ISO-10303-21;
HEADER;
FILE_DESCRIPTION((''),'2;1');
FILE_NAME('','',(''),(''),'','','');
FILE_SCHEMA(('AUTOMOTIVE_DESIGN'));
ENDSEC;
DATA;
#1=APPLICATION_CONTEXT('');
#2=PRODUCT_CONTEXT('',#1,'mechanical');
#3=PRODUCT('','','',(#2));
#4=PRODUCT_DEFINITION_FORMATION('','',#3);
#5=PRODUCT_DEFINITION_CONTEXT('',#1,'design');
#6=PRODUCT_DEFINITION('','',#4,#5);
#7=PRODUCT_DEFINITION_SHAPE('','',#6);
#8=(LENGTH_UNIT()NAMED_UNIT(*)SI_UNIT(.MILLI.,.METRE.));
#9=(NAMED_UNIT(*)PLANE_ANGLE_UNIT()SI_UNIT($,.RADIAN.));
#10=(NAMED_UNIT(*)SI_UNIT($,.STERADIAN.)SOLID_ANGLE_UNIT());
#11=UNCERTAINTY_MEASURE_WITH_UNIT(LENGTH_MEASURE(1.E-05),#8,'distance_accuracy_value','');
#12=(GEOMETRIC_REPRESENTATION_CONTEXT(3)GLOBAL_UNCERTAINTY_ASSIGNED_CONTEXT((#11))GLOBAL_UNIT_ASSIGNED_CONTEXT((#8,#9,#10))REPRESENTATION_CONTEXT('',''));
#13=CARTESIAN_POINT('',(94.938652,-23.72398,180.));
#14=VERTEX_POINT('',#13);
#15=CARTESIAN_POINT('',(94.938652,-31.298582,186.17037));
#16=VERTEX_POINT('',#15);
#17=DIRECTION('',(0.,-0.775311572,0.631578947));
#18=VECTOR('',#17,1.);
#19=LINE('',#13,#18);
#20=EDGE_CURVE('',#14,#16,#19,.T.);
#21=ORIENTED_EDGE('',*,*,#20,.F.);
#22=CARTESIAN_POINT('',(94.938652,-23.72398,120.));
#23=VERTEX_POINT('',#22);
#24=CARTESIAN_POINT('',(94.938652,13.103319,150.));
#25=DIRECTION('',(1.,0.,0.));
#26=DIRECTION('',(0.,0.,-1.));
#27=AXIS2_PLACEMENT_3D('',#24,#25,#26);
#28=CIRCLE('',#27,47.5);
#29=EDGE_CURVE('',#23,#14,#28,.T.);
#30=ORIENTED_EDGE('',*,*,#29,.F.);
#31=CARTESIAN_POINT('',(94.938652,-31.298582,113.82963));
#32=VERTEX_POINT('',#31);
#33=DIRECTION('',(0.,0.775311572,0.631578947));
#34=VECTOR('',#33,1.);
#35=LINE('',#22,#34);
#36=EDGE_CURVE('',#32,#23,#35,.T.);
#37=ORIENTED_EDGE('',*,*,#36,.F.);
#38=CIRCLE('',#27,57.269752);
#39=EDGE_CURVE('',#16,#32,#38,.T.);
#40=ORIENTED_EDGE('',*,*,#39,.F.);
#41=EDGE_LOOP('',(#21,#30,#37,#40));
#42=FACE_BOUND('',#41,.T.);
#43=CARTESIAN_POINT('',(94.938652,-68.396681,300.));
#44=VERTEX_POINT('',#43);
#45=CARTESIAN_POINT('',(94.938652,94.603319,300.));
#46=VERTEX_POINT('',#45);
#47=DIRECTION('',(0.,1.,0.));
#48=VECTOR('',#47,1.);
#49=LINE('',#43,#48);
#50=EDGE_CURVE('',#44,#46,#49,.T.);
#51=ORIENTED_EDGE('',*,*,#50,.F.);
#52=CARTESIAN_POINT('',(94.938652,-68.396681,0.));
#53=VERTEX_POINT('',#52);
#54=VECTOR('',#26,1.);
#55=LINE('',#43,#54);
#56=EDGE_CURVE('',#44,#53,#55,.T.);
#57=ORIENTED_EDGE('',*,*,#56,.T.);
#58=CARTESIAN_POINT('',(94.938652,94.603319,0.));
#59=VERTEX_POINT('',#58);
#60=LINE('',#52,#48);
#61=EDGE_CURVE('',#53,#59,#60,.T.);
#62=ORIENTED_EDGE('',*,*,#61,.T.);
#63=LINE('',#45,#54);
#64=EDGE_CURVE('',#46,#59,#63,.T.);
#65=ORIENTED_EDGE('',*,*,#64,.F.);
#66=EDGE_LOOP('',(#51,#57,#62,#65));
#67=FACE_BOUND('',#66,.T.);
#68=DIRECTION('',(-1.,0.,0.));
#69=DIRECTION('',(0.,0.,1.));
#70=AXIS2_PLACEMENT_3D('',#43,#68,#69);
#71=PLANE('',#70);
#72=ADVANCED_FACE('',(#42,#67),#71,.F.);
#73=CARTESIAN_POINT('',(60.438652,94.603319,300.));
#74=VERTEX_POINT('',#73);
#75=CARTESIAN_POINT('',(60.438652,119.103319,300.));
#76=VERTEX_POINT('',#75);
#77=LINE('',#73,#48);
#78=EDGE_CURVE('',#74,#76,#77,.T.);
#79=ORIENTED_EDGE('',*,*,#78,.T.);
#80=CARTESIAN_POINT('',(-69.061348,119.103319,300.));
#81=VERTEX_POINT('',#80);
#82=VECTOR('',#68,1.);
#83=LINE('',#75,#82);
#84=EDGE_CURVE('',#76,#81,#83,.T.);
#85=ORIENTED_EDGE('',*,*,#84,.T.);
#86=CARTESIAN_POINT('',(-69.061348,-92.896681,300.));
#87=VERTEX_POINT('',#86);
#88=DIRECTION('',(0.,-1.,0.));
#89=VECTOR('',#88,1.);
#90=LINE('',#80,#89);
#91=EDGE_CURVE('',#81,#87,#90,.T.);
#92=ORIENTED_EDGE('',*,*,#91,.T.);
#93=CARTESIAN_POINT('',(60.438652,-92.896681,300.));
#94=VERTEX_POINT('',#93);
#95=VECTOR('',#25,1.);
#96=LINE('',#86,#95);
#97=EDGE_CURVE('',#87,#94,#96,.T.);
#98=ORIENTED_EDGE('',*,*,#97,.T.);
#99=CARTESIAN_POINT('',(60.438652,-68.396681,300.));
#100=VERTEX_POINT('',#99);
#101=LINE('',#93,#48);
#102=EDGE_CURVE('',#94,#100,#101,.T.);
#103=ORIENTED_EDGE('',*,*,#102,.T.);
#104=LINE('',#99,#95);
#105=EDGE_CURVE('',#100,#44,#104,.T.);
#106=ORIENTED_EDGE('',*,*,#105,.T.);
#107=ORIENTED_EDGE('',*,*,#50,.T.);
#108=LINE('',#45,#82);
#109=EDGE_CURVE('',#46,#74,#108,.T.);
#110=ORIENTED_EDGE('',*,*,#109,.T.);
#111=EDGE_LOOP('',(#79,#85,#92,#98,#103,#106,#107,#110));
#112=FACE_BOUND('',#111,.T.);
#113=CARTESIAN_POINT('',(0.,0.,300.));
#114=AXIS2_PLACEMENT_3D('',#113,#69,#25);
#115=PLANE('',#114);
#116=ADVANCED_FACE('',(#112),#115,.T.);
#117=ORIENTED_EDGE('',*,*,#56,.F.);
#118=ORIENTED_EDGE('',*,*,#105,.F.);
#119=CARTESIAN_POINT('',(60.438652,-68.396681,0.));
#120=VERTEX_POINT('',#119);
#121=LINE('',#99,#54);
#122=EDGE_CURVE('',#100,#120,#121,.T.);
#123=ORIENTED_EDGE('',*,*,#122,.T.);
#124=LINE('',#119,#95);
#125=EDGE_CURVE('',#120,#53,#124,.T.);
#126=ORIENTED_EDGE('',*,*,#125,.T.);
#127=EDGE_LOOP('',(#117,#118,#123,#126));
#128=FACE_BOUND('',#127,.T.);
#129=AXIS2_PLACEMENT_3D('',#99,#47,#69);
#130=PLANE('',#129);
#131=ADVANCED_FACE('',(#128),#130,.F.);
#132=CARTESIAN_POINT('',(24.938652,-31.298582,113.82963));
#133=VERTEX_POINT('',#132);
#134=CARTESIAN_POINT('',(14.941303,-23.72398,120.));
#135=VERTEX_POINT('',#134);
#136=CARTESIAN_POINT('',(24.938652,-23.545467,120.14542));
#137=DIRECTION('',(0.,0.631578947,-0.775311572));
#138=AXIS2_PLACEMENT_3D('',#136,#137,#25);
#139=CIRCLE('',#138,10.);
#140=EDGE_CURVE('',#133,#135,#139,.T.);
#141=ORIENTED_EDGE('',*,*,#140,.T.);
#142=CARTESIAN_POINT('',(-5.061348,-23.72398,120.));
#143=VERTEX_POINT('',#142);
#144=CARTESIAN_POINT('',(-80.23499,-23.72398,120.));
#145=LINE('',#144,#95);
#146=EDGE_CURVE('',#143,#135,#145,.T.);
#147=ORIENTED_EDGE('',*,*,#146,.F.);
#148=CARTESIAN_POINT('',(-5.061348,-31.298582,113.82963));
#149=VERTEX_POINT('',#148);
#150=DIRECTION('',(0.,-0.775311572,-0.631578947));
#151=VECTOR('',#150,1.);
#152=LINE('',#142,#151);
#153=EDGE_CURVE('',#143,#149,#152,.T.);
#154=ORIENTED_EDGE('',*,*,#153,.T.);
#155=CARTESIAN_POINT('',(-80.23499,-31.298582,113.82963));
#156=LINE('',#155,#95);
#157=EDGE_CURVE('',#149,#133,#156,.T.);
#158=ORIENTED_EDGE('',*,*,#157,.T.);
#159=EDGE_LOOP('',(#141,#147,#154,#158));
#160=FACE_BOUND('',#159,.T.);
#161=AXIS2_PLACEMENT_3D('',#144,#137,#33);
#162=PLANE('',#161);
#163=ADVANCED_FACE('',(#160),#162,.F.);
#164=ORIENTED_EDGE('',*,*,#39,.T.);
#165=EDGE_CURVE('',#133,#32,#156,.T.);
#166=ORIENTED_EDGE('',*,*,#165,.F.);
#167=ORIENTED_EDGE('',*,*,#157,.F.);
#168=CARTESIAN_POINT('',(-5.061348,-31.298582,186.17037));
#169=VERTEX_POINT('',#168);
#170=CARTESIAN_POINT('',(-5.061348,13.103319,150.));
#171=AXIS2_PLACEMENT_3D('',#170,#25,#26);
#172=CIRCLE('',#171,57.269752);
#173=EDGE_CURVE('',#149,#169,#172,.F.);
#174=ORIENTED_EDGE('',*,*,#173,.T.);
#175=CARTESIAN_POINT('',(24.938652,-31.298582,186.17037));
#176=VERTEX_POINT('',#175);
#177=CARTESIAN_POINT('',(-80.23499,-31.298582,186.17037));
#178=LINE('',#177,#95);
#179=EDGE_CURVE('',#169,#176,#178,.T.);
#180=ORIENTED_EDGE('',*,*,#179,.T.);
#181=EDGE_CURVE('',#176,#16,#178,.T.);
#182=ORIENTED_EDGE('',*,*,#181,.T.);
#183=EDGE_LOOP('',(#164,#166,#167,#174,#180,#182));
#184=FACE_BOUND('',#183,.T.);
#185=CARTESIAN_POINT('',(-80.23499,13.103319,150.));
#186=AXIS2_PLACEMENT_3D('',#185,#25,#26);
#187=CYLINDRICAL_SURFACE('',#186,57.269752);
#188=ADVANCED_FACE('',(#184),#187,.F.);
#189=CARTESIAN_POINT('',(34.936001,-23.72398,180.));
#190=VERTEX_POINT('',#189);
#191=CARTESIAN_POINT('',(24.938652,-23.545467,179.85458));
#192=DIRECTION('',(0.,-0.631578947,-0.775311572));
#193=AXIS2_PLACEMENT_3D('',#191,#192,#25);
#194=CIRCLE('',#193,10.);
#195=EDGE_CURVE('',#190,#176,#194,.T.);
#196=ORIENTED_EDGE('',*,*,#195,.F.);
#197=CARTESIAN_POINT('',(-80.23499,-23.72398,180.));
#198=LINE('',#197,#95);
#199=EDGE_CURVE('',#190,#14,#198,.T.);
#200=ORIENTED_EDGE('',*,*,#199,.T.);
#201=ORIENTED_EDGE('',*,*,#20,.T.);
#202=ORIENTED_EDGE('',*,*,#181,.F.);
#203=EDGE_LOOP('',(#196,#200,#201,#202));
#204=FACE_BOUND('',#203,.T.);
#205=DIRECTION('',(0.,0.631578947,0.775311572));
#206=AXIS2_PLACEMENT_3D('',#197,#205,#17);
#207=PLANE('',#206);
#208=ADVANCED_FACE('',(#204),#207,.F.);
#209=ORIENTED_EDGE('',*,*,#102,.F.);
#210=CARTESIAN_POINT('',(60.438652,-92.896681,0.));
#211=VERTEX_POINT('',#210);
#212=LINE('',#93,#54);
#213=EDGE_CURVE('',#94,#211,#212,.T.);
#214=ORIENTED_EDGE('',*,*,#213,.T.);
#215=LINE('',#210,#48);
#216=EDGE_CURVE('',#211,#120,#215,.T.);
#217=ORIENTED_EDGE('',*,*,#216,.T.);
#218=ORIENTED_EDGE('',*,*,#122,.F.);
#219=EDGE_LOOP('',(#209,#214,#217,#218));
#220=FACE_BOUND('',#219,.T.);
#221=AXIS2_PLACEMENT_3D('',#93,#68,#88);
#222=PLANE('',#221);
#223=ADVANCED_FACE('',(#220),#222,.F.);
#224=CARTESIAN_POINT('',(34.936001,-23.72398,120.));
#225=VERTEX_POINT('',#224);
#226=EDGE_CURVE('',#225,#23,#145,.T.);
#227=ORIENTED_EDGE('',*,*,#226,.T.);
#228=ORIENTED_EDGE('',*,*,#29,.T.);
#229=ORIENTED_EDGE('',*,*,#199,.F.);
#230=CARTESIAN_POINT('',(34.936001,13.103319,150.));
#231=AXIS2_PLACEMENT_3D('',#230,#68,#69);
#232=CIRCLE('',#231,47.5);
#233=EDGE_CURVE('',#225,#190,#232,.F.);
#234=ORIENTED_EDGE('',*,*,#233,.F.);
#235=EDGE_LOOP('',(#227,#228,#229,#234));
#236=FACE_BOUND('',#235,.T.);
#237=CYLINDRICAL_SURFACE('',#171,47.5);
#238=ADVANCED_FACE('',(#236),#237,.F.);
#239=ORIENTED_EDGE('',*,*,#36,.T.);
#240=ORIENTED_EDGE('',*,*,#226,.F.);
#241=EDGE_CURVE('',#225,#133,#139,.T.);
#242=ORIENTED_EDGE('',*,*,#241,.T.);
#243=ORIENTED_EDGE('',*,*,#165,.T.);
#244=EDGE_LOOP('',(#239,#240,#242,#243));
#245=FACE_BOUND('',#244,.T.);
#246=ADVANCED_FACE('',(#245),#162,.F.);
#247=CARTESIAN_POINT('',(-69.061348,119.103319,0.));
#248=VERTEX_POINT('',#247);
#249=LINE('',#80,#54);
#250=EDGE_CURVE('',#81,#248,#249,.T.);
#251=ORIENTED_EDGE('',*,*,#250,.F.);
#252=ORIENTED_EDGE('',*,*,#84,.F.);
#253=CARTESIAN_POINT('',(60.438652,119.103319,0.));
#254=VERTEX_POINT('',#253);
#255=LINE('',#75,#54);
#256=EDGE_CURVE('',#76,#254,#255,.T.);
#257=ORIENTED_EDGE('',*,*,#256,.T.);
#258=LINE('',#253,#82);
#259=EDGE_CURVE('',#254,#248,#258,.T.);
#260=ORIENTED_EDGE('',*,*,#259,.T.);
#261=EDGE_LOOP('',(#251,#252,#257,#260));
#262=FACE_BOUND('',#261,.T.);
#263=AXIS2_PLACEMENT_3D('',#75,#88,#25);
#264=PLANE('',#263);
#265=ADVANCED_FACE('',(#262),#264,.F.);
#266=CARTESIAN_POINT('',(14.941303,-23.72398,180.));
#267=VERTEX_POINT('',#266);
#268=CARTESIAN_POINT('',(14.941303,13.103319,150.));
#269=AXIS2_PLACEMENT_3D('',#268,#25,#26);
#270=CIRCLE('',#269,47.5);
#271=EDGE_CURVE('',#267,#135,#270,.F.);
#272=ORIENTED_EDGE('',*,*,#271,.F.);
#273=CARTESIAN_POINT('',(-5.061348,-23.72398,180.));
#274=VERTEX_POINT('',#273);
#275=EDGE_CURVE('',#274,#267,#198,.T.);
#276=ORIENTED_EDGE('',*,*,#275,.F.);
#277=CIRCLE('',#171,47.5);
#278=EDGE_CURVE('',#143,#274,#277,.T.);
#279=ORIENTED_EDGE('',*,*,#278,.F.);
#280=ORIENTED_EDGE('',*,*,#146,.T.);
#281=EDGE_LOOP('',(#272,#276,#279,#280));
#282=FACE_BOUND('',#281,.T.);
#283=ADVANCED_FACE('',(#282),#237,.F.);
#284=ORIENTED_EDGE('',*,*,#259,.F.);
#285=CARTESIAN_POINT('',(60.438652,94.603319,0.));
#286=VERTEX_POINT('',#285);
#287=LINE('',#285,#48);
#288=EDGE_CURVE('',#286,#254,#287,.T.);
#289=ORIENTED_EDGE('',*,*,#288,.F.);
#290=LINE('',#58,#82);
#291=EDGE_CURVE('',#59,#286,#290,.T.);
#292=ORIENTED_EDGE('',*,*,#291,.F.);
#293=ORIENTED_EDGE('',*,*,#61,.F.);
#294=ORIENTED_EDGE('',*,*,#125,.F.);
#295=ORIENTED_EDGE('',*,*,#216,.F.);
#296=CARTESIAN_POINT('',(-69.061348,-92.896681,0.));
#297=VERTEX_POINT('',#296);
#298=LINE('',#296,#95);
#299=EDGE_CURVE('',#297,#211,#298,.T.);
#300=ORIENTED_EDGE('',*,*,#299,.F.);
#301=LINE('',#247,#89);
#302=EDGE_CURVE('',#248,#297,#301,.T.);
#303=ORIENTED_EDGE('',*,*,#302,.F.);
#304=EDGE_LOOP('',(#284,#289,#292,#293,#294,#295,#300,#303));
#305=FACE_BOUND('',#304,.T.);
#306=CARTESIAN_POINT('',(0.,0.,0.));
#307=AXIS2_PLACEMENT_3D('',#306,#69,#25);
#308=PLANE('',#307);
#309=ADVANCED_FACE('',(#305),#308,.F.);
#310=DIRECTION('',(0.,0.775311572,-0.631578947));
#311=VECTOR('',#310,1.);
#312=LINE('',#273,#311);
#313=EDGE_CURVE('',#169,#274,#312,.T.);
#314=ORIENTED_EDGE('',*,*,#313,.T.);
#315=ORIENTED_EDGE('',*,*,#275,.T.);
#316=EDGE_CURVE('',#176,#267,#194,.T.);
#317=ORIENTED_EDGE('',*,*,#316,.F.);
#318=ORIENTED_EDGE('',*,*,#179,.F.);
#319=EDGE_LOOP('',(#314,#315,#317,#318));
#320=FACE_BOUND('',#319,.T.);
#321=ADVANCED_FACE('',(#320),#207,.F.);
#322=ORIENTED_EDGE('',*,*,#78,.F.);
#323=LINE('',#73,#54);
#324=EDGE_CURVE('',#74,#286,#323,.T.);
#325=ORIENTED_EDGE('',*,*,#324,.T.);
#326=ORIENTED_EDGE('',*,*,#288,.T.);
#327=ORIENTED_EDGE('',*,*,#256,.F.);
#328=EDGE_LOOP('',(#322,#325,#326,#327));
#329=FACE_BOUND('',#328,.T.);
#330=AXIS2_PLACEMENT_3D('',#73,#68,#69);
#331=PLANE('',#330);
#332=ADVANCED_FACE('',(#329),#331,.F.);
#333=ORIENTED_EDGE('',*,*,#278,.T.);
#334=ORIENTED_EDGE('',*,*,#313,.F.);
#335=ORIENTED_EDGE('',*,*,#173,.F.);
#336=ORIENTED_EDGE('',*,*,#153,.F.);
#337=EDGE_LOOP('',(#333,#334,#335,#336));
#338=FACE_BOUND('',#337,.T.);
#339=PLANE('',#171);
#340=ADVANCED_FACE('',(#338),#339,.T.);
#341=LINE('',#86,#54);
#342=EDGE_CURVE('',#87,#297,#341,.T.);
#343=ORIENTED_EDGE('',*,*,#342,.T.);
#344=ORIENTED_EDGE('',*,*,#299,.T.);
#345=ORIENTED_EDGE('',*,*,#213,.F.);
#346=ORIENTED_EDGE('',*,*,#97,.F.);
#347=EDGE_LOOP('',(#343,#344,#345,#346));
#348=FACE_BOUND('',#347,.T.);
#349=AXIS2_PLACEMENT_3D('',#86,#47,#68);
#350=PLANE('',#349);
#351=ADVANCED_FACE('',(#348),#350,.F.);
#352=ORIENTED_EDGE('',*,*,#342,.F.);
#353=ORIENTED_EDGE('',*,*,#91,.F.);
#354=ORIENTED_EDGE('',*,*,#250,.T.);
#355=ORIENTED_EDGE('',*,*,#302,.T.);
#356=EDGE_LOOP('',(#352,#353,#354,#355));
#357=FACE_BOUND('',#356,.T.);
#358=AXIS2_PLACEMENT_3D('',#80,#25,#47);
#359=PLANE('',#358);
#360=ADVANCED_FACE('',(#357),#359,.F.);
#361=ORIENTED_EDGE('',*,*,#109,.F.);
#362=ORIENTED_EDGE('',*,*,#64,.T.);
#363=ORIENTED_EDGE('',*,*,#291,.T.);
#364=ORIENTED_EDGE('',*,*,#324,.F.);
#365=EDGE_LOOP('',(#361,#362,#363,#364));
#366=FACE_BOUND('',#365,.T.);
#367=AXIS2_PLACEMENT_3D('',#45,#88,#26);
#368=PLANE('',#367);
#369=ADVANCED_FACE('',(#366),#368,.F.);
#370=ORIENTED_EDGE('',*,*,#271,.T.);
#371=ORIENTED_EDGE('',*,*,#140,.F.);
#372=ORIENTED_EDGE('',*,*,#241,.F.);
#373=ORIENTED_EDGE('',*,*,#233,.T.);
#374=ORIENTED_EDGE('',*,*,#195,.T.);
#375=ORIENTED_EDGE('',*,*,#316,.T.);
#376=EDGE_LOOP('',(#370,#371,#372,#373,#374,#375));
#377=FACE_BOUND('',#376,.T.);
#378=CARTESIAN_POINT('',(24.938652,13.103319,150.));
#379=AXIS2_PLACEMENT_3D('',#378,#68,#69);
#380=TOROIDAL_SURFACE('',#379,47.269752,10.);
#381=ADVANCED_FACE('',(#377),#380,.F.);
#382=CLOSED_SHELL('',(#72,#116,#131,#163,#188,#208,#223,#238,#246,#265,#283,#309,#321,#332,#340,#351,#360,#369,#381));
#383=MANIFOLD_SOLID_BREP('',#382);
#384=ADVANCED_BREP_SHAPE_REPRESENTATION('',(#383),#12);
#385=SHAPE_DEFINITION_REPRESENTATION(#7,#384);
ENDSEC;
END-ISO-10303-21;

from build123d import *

# Parameters (mm, degrees)
BOSS_EXTRUDE1_DEPTH = 300
SKETCH2_R           = 47.5
CUT_EXTRUDE1_DEPTH  = 100
SKETCH3_R           = 10
CUT_EXTRUDE3_REACH  = 364.052


with BuildPart() as part:
    # Sketch1 → Boss-Extrude1 (new body)
    with BuildSketch(Plane.XY):
        Polygon((94.938651754, 94.603319173), (60.438651754, 94.603319173), (60.438651754, 119.103319173), (-69.061348246, 119.103319173), (-69.061348246, -92.896680827), (60.438651754, -92.896680827), (60.438651754, -68.396680827), (94.938651754, -68.396680827), align=None)
    extrude(amount=BOSS_EXTRUDE1_DEPTH)

    # Sketch2 → Cut-Extrude1 (cut)
    with BuildSketch(Plane(origin=(94.938651754, 0, 0), x_dir=(0, 0, -1), z_dir=(1, 0, 0))):
        with Locations((-150, 13.103319173)):
            Circle(SKETCH2_R)
    extrude(amount=-CUT_EXTRUDE1_DEPTH, mode=Mode.SUBTRACT)

    # Cut-Sweep1: sweep along a path in Sketch5
    with BuildLine(Plane(origin=(25, 0, 0), x_dir=(0, 0, -1), z_dir=(1, 0, 0))) as cut_sweep1_path:
        ThreePointArc((-120, -23.723980484), (-150, 60.603319173), (-180, -23.723980484))
    # Sketch3 → Cut-Sweep1 (sweep, cut)
    with BuildSketch(Plane.XY.offset(150)):
        with Locations((24.938651754, 60.373071265)):
            Circle(SKETCH3_R)
    sweep(path=cut_sweep1_path.line, mode=Mode.SUBTRACT)

    # Cut-Extrude3: up to this face of the body (flat: up to its plane)
    cut_extrude3_end = Plane(part.part.faces().sort_by_distance((-5.061348246, 13.103319173, 150))[0])
    # Sketch7 → Cut-Extrude3 (cut, up to the picked face)
    with BuildSketch(Plane(origin=(94.938651754, 0, 0), x_dir=(0, 0, -1), z_dir=(1, 0, 0)), mode=Mode.PRIVATE) as cut_extrude3_sk1:
        with BuildLine():
            Line((-180, -23.723980484), (-186.170369742, -31.298582333))
            ThreePointArc((-186.170369742, -31.298582333), (-150, -44.166432919), (-113.829630258, -31.298582333))
            Line((-113.829630258, -31.298582333), (-120, -23.723980484))
            ThreePointArc((-120, -23.723980484), (-150, -34.396680827), (-180, -23.723980484))
        make_face()
    cut_extrude3_tool1 = split(extrude(cut_extrude3_sk1.sketch, amount=-CUT_EXTRUDE3_REACH, mode=Mode.PRIVATE), bisect_by=cut_extrude3_end, keep=Keep.BOTH, mode=Mode.PRIVATE)
    add(cut_extrude3_tool1.solids().sort_by(Axis((94.938652, -35.436268, 150), (-1, 0, 0)))[0], mode=Mode.SUBTRACT)


solid = part.part
